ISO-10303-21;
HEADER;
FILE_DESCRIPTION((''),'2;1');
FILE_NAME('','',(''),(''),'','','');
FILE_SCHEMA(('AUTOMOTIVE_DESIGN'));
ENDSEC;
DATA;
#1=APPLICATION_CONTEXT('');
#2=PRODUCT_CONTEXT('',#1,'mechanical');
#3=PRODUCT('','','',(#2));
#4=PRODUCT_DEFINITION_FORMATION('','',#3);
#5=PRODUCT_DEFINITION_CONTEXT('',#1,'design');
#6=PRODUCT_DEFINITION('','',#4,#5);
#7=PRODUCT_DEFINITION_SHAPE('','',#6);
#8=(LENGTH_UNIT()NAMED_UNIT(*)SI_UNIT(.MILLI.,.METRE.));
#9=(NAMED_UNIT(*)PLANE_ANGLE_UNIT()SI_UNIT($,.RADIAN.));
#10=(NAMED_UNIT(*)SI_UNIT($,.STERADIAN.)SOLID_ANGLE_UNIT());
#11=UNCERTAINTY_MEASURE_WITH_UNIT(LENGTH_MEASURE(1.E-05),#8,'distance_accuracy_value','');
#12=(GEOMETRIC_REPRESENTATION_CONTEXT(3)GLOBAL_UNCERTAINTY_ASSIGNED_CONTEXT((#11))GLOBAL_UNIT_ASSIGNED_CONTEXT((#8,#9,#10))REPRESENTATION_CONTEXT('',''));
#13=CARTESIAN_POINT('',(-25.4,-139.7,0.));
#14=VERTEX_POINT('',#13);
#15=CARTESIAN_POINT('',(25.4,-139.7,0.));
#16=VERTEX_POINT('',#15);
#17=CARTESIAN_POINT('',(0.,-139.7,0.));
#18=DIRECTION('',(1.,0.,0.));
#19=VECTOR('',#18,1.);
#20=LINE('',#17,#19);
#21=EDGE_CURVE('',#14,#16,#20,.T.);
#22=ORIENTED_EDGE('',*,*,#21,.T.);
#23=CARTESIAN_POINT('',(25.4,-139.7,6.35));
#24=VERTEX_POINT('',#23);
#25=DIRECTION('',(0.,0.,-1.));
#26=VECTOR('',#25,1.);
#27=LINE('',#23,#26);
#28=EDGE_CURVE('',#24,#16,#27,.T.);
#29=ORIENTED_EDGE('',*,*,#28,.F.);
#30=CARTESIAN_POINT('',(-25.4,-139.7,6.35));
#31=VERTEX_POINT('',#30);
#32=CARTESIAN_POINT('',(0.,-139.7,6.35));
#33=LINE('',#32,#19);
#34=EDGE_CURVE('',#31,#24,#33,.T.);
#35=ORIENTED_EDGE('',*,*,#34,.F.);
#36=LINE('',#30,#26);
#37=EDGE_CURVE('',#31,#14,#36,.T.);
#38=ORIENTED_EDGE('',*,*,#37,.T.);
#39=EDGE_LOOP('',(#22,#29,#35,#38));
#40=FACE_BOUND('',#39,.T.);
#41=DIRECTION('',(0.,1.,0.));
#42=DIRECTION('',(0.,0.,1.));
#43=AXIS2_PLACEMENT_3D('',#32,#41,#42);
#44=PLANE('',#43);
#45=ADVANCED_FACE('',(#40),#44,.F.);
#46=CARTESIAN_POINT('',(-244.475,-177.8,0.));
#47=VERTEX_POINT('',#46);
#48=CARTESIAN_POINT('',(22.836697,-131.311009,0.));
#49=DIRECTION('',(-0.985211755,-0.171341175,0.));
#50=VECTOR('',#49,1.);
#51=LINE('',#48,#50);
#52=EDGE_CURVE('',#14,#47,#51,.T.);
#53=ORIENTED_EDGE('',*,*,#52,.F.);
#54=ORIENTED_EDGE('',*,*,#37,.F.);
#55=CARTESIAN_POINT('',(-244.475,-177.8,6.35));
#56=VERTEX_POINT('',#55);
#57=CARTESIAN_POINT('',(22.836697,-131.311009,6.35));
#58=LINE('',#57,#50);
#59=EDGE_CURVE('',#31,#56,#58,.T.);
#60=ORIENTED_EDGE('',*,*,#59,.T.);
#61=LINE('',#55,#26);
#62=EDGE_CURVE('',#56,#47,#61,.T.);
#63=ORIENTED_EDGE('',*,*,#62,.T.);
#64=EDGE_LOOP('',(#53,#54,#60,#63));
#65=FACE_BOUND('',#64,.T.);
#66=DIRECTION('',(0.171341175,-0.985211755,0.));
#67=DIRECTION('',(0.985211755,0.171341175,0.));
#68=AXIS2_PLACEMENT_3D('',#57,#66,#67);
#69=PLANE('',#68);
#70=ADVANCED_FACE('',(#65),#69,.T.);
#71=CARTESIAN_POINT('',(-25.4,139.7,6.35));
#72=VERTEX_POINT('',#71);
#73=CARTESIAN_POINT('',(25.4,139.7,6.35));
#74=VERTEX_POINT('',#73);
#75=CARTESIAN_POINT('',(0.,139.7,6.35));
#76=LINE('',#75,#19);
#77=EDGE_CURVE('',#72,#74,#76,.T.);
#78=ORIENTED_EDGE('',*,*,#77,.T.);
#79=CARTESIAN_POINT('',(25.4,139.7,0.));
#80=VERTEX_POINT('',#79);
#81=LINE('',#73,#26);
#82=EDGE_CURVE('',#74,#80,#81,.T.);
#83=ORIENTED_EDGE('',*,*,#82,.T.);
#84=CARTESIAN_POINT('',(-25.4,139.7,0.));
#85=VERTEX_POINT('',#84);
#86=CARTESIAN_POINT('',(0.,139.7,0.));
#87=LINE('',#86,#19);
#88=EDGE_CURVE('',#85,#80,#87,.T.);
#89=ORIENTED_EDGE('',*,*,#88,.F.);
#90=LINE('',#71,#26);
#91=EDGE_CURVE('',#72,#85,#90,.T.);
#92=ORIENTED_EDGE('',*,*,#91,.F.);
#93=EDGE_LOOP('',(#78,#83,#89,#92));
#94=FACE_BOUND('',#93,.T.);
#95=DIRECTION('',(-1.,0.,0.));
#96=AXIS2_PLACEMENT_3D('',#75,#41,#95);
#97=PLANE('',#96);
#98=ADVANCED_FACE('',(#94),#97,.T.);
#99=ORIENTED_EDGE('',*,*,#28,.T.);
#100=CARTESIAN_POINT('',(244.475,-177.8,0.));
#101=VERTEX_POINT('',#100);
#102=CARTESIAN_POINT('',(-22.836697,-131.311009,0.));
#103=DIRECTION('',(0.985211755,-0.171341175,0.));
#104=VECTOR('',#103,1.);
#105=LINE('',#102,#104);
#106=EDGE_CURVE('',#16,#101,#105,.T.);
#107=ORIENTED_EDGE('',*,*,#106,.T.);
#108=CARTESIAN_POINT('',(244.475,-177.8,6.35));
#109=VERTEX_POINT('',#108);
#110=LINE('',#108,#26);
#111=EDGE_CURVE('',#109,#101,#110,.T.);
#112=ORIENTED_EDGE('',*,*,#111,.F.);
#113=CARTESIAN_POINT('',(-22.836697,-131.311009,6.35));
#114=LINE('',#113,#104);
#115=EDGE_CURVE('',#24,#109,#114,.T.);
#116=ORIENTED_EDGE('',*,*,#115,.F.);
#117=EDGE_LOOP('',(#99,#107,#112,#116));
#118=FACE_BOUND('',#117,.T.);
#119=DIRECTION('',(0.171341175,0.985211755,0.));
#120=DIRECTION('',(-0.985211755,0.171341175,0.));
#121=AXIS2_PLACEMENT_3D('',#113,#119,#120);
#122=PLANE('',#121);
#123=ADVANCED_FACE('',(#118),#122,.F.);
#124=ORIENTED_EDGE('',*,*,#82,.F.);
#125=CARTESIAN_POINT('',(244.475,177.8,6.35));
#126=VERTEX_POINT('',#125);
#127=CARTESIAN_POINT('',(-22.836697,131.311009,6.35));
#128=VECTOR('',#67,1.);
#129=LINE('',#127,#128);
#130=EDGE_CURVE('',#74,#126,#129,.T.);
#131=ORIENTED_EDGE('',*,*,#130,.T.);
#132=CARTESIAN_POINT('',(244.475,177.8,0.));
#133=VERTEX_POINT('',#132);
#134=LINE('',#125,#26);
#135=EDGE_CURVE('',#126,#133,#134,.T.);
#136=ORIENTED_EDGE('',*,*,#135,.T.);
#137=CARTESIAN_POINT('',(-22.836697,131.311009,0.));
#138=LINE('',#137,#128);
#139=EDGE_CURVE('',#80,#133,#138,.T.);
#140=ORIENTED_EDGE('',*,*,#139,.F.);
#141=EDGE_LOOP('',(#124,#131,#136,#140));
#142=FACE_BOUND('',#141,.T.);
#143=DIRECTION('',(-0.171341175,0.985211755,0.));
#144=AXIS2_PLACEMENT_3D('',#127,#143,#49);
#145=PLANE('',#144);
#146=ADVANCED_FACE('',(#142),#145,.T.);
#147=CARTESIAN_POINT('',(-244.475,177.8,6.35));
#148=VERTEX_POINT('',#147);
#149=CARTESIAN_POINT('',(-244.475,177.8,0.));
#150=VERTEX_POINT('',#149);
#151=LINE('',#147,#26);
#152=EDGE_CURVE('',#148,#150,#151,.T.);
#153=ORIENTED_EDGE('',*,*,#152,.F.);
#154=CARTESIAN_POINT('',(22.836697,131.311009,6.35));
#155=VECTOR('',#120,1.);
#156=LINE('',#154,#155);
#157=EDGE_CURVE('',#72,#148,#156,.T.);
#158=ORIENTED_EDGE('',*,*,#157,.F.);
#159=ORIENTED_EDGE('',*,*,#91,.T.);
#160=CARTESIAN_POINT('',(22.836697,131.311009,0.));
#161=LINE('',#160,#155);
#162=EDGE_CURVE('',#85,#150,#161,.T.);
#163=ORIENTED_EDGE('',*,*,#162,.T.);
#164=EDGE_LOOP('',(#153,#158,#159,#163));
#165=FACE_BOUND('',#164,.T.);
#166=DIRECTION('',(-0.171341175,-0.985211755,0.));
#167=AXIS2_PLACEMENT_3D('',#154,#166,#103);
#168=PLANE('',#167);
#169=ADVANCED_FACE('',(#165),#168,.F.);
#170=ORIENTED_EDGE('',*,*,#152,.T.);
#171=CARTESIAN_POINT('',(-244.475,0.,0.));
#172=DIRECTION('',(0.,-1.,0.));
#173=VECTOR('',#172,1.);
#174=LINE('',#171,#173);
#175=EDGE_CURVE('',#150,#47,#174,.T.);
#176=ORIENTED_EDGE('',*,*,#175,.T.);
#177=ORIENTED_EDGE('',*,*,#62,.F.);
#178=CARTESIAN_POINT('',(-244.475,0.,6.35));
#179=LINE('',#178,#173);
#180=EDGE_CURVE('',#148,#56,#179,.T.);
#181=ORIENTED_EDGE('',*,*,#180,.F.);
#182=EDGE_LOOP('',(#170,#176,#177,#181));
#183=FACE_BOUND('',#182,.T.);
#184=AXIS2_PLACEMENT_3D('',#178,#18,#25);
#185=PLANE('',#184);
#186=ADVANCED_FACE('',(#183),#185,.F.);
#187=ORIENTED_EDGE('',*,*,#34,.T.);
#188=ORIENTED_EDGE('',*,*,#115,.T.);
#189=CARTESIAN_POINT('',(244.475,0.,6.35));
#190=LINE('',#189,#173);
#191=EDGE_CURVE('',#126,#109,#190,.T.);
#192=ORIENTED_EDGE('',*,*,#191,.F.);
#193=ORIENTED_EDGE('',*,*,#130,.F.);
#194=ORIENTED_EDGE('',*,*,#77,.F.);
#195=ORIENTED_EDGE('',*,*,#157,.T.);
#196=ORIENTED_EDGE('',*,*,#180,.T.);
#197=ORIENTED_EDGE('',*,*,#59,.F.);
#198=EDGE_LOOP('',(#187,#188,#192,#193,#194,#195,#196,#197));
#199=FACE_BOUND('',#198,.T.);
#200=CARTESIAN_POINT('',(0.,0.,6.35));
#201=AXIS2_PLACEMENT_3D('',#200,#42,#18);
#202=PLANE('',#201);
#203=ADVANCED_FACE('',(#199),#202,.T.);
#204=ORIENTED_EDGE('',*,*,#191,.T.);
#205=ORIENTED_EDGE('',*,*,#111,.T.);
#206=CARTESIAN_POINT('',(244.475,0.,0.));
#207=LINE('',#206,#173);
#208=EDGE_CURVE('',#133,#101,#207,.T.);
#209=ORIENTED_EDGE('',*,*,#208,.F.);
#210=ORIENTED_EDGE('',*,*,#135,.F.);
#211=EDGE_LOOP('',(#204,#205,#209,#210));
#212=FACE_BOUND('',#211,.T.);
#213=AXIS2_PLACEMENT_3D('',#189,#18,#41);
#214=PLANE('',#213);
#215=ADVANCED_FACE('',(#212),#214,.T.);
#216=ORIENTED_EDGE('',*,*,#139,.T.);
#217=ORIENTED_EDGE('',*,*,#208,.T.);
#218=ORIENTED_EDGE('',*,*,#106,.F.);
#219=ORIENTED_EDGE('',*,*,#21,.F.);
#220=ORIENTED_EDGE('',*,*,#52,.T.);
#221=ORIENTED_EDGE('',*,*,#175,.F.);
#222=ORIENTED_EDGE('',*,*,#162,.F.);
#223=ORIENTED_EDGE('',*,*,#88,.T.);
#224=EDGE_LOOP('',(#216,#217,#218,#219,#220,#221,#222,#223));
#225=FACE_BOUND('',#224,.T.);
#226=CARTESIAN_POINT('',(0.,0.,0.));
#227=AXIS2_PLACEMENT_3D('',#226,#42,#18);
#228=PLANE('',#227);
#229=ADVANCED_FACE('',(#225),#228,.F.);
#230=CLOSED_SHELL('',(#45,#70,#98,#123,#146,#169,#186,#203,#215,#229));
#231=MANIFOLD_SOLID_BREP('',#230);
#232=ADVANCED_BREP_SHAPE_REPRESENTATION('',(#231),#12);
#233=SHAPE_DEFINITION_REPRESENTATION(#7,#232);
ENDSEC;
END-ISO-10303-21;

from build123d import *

# Parameters (mm, degrees)
SKETCH2_W           = 50.8
SKETCH2_H           = 279.4
BOSS_EXTRUDE2_DEPTH = 6.35


with BuildPart() as part:
    # Sketch2 → Boss-Extrude2 (new body)
    with BuildSketch(Plane.XY):
        Polygon((-25.4, -139.7), (-244.475, -177.8), (-244.475, 177.8), (-25.4, 139.7), align=None)
        Rectangle(SKETCH2_W, SKETCH2_H)
        Polygon((25.4, -139.7), (25.4, 139.7), (244.475, 177.8), (244.475, -177.8), align=None)
    extrude(amount=BOSS_EXTRUDE2_DEPTH)


solid = part.part
